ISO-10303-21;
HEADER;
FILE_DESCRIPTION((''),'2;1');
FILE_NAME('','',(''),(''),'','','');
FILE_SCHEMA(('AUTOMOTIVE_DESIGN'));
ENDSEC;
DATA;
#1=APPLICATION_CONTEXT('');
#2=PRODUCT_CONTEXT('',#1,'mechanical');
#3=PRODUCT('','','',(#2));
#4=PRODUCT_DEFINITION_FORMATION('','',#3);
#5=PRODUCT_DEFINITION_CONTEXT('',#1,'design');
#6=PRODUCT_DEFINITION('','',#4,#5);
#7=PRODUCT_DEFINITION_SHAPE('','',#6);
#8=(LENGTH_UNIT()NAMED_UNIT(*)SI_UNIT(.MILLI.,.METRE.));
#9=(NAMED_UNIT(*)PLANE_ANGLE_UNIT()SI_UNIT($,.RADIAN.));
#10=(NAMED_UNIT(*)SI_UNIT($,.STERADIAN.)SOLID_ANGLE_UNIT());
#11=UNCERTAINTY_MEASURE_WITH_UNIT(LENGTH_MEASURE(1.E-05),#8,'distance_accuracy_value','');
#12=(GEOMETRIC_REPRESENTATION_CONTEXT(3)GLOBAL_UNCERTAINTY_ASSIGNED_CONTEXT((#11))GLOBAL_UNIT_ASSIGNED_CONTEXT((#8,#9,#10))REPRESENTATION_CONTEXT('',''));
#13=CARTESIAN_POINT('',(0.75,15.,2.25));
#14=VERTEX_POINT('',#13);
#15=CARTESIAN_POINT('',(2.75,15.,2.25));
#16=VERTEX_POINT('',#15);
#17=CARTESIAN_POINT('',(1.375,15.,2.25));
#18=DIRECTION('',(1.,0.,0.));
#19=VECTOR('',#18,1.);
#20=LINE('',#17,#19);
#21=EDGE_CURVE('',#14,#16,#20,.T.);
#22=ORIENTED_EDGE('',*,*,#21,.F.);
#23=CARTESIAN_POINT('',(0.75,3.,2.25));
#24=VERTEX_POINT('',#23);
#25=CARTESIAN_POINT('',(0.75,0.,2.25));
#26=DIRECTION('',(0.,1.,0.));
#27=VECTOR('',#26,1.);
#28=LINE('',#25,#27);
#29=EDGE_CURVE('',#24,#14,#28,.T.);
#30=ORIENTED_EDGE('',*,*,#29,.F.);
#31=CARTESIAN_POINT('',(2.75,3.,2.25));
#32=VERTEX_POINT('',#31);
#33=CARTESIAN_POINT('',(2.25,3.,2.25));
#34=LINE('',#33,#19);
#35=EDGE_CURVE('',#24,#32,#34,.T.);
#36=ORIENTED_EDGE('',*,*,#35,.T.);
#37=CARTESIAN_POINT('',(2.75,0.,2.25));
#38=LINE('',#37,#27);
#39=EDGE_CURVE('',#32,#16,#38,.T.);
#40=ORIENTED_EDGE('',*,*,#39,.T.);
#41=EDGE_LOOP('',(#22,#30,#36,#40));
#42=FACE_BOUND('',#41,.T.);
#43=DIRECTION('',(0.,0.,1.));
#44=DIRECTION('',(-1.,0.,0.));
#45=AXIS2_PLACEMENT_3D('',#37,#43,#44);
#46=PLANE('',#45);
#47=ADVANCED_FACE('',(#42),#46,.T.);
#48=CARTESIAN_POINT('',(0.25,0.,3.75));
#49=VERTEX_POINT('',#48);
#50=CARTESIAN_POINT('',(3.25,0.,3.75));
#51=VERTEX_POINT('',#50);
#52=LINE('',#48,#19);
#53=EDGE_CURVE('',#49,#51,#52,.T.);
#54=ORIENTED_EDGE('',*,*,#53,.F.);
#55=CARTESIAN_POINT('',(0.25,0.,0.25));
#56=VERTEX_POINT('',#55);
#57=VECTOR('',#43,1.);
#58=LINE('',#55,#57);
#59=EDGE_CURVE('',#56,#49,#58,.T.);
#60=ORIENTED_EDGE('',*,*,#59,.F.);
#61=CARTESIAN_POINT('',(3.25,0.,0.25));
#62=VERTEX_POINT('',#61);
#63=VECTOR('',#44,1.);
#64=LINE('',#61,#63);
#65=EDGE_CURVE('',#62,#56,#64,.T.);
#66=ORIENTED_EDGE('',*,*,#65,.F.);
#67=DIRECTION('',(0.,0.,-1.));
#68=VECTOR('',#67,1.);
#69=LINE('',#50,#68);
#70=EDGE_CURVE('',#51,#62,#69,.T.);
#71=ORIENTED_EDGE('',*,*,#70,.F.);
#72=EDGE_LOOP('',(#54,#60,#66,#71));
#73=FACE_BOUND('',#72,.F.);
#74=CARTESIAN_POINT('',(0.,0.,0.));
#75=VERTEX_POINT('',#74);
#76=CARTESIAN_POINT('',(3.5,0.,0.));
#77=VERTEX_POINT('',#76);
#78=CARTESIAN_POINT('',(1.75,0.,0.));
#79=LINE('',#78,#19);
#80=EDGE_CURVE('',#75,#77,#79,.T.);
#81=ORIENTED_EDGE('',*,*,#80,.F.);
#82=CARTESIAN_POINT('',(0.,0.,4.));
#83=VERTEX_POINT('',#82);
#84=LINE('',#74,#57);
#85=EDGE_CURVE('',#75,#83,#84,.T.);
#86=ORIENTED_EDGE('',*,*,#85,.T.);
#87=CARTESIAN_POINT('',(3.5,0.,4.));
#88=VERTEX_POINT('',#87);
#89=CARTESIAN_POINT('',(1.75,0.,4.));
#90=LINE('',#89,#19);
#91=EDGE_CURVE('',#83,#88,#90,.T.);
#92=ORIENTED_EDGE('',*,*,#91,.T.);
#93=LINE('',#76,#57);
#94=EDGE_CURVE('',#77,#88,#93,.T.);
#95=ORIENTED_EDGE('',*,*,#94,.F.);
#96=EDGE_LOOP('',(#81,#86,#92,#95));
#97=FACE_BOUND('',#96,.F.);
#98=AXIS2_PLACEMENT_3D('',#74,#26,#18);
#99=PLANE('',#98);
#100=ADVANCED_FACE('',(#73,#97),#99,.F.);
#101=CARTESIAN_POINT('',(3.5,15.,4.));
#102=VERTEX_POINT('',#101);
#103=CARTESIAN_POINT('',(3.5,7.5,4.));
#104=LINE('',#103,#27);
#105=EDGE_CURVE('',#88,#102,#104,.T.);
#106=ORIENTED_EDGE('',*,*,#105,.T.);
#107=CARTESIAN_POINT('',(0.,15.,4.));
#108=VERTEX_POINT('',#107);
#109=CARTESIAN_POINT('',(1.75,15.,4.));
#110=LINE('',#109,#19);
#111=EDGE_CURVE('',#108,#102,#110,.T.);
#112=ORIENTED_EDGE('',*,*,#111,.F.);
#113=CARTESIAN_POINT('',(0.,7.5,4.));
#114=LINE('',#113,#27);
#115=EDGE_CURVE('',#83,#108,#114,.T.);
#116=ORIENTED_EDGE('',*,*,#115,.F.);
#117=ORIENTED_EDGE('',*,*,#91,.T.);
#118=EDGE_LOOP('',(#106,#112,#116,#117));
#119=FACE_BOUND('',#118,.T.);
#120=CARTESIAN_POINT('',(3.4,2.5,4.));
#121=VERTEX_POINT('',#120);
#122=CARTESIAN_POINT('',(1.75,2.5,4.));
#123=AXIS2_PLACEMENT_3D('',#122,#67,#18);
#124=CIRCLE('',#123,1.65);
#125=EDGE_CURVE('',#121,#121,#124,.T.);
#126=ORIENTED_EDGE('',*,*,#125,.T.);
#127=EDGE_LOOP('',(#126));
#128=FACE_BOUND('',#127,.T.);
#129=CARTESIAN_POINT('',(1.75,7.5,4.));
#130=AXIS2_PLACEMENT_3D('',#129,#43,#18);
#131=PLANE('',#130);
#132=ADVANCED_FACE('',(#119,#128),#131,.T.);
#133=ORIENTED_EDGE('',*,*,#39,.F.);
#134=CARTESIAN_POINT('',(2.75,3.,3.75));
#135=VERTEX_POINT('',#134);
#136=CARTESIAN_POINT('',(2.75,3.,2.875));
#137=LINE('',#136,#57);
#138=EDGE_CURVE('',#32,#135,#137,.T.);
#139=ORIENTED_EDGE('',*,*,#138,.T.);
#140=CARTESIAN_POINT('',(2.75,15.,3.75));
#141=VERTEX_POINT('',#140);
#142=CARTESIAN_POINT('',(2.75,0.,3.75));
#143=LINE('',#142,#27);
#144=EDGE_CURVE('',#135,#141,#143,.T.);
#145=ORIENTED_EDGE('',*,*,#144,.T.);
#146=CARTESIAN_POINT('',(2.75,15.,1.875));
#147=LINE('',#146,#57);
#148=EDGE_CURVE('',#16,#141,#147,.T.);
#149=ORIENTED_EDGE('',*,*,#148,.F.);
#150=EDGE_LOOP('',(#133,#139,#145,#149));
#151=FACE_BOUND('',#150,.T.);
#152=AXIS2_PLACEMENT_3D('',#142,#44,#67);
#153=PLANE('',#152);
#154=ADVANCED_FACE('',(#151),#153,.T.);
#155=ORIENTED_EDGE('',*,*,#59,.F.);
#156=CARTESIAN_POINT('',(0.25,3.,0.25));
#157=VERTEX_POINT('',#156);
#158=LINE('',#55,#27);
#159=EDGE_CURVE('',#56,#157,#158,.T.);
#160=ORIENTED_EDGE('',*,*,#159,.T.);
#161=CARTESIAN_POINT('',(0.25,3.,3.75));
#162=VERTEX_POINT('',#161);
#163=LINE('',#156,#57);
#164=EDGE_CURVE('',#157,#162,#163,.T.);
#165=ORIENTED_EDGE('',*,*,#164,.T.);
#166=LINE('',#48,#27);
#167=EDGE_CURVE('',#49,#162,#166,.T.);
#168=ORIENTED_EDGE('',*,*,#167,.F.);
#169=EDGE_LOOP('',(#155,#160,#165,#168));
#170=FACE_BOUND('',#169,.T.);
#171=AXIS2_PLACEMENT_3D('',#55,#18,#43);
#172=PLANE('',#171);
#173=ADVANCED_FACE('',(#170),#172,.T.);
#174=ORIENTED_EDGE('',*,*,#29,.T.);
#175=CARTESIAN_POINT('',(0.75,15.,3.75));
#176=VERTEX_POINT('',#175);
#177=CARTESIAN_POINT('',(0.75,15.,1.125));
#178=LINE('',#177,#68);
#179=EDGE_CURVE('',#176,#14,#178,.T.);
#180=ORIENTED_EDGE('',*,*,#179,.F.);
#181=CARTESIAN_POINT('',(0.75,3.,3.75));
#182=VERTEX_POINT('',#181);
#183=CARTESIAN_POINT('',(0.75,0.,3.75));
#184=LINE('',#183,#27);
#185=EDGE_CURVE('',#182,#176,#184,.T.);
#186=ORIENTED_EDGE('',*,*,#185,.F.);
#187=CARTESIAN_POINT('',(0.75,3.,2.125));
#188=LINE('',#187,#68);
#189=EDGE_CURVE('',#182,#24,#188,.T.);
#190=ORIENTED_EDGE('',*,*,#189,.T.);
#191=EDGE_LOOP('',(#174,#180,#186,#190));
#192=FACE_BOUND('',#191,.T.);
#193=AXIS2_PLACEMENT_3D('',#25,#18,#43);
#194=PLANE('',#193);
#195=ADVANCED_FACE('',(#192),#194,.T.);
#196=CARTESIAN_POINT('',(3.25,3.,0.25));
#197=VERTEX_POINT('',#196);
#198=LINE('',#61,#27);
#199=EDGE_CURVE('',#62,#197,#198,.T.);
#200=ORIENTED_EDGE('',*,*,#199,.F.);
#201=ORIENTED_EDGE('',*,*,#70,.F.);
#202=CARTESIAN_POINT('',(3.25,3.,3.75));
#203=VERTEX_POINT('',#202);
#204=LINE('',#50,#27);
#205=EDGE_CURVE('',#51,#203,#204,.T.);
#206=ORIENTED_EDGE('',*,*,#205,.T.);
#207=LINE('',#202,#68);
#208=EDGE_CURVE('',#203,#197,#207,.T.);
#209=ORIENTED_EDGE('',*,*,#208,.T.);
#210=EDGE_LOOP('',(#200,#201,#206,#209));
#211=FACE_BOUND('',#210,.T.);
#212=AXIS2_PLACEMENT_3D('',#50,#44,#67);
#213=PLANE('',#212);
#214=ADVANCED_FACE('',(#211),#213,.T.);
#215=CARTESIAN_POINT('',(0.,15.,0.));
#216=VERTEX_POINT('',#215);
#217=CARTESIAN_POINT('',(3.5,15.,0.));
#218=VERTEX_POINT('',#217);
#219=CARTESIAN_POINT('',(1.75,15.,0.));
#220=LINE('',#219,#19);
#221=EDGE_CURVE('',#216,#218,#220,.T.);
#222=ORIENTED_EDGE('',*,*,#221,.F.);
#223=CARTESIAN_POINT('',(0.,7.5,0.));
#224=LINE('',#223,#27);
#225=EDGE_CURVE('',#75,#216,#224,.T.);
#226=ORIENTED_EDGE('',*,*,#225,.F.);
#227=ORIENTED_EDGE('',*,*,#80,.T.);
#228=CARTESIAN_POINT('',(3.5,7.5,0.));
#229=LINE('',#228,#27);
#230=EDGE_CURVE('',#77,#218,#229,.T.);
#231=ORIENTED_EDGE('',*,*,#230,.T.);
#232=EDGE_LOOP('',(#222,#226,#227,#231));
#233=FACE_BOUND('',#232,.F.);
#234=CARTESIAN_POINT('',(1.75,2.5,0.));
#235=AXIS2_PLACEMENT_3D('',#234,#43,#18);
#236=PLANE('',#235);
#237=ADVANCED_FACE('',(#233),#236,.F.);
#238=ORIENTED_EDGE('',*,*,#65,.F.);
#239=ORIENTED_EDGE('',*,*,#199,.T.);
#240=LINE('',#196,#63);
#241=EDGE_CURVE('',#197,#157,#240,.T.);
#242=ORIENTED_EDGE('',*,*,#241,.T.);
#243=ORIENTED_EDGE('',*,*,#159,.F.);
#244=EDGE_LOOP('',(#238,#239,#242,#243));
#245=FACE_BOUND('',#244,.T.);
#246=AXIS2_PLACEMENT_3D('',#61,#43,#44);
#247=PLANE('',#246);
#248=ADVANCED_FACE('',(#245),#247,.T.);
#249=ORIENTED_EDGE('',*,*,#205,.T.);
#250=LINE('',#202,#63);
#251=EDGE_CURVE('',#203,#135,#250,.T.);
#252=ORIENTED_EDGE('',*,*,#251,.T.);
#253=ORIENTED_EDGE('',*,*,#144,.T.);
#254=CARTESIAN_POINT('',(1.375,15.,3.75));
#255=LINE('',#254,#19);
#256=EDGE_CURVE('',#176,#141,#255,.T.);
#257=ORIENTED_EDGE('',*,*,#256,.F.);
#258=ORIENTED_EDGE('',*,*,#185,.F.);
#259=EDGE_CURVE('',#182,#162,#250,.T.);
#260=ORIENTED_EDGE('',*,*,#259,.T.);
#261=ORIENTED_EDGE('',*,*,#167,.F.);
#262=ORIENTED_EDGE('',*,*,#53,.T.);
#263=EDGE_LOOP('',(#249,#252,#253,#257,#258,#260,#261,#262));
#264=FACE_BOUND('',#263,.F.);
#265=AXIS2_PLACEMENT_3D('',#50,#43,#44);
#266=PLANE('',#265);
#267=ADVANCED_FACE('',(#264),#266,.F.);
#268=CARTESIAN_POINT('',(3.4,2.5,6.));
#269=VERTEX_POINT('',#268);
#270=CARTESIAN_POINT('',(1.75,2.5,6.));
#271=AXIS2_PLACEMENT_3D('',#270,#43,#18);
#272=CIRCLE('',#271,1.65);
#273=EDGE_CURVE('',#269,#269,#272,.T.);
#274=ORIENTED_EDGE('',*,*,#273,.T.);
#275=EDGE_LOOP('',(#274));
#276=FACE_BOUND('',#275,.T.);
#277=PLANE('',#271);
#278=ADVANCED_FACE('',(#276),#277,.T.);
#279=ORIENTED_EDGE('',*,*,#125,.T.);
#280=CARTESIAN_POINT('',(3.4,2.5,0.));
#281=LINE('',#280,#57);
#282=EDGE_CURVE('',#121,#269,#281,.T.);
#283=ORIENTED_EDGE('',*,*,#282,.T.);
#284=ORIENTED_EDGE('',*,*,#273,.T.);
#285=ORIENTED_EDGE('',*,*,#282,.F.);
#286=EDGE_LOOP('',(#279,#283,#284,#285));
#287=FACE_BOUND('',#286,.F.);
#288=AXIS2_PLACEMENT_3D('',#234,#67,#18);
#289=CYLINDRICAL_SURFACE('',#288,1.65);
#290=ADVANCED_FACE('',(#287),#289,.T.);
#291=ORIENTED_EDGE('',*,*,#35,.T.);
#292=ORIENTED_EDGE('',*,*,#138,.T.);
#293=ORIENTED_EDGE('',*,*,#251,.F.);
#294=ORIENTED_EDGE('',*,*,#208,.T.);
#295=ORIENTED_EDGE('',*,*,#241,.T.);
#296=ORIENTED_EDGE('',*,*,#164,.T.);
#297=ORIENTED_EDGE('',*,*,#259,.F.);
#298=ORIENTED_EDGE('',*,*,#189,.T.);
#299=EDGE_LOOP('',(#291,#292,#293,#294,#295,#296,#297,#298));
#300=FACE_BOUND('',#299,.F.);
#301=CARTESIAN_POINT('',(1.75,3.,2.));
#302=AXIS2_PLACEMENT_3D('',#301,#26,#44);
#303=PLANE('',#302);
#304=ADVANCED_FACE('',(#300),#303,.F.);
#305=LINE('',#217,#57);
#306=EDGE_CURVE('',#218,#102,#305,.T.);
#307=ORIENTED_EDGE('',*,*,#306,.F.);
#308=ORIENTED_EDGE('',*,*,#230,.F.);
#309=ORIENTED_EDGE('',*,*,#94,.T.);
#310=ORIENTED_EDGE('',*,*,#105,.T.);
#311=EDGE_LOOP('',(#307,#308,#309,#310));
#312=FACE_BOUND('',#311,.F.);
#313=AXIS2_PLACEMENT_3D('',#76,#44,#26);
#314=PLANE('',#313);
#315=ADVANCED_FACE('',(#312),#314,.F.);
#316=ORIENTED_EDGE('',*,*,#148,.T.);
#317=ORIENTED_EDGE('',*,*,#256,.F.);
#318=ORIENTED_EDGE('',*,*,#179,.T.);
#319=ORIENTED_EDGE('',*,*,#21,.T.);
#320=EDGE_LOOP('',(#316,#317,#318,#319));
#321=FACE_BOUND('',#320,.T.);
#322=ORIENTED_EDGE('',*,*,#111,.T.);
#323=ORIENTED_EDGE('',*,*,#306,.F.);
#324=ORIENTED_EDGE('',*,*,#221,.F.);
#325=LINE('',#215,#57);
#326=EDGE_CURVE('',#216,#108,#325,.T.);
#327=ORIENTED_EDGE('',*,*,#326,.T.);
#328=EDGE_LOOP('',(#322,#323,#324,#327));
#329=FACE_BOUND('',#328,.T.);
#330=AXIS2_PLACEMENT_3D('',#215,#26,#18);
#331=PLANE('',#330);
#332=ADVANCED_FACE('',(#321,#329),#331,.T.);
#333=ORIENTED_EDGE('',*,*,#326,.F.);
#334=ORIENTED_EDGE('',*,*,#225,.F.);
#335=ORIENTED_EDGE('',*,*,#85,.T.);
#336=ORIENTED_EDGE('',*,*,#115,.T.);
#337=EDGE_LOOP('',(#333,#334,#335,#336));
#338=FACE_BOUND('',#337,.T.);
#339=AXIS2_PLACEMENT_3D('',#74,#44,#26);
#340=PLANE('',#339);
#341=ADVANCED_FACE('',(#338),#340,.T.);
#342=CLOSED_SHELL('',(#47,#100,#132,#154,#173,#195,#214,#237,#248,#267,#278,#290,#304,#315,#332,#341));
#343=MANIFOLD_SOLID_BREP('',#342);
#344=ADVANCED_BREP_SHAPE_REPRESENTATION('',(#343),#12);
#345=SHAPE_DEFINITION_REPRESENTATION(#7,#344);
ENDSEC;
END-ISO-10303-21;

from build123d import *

# Parameters (mm, degrees)
SKETCH_W        = 3.5
SKETCH_H        = 15
PAD_DEPTH       = 4
SKETCH001_R     = 1.65
PAD001_DEPTH    = 6
POCKET_DEPTH    = 3
POCKET001_DEPTH = 15.001


with BuildPart() as part:
    # Sketch → Pad (new body)
    with BuildSketch(Plane.XY):
        with Locations((1.75, 7.5)):
            Rectangle(SKETCH_W, SKETCH_H)
    extrude(amount=PAD_DEPTH)

    # Sketch001 → Pad001 (join)
    with BuildSketch(Plane.XY):
        with Locations((1.75, 2.5)):
            Circle(SKETCH001_R)
    extrude(amount=PAD001_DEPTH)

    # Sketch002 (on Face1 of Pad001) → Pocket (cut)
    with BuildSketch(Plane.XZ):
        Polygon((3.25, 3.75), (3.25, 0.25), (0.25, 0.25), (0.25, 3.75), (1.75, 3.75), align=None)
    extrude(amount=-POCKET_DEPTH, mode=Mode.SUBTRACT)

    # Sketch003 → Pocket001 (cut, through all)
    with BuildSketch(Plane.XZ):
        Polygon((0.75, 3.75), (1.75, 3.75), (2.75, 3.75), (2.75, 2.25), (0.75, 2.25), align=None)
    extrude(amount=-POCKET001_DEPTH, mode=Mode.SUBTRACT)


solid = part.part
